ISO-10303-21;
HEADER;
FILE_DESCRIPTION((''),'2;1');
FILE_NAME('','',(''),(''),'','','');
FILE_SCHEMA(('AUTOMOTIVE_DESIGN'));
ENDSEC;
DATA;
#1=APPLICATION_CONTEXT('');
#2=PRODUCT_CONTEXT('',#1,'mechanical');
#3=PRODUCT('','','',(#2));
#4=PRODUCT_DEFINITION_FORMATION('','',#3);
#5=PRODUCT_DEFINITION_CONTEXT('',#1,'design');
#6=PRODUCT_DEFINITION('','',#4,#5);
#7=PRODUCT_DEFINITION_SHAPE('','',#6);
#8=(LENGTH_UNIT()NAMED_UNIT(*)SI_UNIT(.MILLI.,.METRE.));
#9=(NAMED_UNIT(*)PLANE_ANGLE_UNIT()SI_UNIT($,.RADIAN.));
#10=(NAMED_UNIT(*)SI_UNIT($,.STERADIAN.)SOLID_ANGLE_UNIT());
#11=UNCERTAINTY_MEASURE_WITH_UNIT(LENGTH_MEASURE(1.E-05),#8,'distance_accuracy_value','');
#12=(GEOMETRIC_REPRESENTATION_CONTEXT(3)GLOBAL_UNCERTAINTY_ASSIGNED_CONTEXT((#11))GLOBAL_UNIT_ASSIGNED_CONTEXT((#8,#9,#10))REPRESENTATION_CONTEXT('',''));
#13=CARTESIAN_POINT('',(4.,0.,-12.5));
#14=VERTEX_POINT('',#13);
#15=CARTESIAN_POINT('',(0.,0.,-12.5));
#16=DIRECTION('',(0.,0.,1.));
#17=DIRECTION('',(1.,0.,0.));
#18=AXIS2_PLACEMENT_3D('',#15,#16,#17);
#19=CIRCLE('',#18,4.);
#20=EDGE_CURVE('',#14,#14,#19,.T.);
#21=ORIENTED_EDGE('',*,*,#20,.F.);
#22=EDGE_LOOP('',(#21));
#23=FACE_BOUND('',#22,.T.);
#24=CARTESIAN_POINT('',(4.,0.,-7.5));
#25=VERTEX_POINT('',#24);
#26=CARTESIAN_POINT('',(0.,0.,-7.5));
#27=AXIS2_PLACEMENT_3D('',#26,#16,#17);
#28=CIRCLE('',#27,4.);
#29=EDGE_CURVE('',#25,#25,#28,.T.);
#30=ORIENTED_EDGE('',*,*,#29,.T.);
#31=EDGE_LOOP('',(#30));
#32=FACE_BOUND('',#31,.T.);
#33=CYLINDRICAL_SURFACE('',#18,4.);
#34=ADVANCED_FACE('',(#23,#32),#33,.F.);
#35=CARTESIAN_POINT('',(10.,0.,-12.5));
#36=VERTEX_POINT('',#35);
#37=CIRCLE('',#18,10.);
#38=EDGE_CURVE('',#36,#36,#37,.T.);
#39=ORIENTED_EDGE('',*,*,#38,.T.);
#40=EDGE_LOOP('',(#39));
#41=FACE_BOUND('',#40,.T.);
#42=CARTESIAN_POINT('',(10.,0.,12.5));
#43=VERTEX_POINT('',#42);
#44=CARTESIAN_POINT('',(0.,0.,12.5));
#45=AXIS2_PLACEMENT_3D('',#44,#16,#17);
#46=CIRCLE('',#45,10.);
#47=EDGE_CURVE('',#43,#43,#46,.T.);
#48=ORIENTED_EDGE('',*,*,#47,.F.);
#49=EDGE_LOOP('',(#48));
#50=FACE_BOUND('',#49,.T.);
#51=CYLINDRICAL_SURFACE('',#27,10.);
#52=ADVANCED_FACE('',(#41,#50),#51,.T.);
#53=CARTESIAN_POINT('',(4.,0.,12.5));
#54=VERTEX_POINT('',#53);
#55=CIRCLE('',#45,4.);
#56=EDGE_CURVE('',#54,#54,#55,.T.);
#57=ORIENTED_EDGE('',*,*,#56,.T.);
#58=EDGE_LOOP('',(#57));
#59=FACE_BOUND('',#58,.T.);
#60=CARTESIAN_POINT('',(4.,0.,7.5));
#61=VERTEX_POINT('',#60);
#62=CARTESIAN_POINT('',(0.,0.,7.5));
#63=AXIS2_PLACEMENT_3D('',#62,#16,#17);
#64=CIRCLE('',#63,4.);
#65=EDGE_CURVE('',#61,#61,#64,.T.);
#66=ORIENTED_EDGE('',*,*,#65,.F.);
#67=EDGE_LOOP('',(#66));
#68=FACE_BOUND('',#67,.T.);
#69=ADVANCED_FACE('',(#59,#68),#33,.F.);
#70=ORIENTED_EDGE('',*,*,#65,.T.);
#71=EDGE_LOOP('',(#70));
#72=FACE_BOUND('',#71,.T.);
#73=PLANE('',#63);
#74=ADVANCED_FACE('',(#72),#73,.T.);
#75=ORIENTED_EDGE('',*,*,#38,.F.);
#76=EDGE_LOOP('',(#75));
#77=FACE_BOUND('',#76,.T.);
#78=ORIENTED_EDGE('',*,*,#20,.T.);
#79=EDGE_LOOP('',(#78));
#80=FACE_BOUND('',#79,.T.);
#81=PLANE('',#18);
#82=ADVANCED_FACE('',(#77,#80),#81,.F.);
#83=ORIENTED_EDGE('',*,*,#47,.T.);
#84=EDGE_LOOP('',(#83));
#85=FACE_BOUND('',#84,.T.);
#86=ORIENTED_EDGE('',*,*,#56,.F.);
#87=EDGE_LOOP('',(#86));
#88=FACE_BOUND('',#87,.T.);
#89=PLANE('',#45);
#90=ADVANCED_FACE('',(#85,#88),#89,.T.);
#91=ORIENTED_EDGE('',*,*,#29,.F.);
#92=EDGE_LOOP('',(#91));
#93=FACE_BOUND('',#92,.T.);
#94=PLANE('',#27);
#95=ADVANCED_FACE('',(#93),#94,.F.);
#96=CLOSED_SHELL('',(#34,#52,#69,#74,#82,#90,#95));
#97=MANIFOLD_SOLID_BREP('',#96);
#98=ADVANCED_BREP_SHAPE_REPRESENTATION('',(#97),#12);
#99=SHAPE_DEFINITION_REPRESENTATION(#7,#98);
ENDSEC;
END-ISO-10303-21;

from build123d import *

# Parameters (mm, degrees)
BOSS_EXTRUDE1_DEPTH      = 7.5
BOSS_EXTRUDE1_DEPTH_BACK = 7.5
SKETCH1_R                = 10
BOSS_EXTRUDE2_DEPTH      = 12.5
BOSS_EXTRUDE2_DEPTH_BACK = 12.5
SKETCH1_2_R              = 10
SKETCH1_2_R_2            = 4


with BuildPart() as part:
    # Sketch1 → Boss-Extrude1 (new, two sides: drawn at the far end of the back side and taken through both)
    with BuildSketch(Plane.XY.offset(-BOSS_EXTRUDE1_DEPTH_BACK)):
        Circle(SKETCH1_R)
    extrude(amount=BOSS_EXTRUDE1_DEPTH + BOSS_EXTRUDE1_DEPTH_BACK)

    # Sketch1<2> → Boss-Extrude2 (add, two sides: drawn at the far end of the back side and taken through both)
    with BuildSketch(Plane.XY.offset(-BOSS_EXTRUDE2_DEPTH_BACK)):
        Circle(SKETCH1_2_R)
        Circle(SKETCH1_2_R_2, mode=Mode.SUBTRACT)
    extrude(amount=BOSS_EXTRUDE2_DEPTH + BOSS_EXTRUDE2_DEPTH_BACK)


solid = part.part
